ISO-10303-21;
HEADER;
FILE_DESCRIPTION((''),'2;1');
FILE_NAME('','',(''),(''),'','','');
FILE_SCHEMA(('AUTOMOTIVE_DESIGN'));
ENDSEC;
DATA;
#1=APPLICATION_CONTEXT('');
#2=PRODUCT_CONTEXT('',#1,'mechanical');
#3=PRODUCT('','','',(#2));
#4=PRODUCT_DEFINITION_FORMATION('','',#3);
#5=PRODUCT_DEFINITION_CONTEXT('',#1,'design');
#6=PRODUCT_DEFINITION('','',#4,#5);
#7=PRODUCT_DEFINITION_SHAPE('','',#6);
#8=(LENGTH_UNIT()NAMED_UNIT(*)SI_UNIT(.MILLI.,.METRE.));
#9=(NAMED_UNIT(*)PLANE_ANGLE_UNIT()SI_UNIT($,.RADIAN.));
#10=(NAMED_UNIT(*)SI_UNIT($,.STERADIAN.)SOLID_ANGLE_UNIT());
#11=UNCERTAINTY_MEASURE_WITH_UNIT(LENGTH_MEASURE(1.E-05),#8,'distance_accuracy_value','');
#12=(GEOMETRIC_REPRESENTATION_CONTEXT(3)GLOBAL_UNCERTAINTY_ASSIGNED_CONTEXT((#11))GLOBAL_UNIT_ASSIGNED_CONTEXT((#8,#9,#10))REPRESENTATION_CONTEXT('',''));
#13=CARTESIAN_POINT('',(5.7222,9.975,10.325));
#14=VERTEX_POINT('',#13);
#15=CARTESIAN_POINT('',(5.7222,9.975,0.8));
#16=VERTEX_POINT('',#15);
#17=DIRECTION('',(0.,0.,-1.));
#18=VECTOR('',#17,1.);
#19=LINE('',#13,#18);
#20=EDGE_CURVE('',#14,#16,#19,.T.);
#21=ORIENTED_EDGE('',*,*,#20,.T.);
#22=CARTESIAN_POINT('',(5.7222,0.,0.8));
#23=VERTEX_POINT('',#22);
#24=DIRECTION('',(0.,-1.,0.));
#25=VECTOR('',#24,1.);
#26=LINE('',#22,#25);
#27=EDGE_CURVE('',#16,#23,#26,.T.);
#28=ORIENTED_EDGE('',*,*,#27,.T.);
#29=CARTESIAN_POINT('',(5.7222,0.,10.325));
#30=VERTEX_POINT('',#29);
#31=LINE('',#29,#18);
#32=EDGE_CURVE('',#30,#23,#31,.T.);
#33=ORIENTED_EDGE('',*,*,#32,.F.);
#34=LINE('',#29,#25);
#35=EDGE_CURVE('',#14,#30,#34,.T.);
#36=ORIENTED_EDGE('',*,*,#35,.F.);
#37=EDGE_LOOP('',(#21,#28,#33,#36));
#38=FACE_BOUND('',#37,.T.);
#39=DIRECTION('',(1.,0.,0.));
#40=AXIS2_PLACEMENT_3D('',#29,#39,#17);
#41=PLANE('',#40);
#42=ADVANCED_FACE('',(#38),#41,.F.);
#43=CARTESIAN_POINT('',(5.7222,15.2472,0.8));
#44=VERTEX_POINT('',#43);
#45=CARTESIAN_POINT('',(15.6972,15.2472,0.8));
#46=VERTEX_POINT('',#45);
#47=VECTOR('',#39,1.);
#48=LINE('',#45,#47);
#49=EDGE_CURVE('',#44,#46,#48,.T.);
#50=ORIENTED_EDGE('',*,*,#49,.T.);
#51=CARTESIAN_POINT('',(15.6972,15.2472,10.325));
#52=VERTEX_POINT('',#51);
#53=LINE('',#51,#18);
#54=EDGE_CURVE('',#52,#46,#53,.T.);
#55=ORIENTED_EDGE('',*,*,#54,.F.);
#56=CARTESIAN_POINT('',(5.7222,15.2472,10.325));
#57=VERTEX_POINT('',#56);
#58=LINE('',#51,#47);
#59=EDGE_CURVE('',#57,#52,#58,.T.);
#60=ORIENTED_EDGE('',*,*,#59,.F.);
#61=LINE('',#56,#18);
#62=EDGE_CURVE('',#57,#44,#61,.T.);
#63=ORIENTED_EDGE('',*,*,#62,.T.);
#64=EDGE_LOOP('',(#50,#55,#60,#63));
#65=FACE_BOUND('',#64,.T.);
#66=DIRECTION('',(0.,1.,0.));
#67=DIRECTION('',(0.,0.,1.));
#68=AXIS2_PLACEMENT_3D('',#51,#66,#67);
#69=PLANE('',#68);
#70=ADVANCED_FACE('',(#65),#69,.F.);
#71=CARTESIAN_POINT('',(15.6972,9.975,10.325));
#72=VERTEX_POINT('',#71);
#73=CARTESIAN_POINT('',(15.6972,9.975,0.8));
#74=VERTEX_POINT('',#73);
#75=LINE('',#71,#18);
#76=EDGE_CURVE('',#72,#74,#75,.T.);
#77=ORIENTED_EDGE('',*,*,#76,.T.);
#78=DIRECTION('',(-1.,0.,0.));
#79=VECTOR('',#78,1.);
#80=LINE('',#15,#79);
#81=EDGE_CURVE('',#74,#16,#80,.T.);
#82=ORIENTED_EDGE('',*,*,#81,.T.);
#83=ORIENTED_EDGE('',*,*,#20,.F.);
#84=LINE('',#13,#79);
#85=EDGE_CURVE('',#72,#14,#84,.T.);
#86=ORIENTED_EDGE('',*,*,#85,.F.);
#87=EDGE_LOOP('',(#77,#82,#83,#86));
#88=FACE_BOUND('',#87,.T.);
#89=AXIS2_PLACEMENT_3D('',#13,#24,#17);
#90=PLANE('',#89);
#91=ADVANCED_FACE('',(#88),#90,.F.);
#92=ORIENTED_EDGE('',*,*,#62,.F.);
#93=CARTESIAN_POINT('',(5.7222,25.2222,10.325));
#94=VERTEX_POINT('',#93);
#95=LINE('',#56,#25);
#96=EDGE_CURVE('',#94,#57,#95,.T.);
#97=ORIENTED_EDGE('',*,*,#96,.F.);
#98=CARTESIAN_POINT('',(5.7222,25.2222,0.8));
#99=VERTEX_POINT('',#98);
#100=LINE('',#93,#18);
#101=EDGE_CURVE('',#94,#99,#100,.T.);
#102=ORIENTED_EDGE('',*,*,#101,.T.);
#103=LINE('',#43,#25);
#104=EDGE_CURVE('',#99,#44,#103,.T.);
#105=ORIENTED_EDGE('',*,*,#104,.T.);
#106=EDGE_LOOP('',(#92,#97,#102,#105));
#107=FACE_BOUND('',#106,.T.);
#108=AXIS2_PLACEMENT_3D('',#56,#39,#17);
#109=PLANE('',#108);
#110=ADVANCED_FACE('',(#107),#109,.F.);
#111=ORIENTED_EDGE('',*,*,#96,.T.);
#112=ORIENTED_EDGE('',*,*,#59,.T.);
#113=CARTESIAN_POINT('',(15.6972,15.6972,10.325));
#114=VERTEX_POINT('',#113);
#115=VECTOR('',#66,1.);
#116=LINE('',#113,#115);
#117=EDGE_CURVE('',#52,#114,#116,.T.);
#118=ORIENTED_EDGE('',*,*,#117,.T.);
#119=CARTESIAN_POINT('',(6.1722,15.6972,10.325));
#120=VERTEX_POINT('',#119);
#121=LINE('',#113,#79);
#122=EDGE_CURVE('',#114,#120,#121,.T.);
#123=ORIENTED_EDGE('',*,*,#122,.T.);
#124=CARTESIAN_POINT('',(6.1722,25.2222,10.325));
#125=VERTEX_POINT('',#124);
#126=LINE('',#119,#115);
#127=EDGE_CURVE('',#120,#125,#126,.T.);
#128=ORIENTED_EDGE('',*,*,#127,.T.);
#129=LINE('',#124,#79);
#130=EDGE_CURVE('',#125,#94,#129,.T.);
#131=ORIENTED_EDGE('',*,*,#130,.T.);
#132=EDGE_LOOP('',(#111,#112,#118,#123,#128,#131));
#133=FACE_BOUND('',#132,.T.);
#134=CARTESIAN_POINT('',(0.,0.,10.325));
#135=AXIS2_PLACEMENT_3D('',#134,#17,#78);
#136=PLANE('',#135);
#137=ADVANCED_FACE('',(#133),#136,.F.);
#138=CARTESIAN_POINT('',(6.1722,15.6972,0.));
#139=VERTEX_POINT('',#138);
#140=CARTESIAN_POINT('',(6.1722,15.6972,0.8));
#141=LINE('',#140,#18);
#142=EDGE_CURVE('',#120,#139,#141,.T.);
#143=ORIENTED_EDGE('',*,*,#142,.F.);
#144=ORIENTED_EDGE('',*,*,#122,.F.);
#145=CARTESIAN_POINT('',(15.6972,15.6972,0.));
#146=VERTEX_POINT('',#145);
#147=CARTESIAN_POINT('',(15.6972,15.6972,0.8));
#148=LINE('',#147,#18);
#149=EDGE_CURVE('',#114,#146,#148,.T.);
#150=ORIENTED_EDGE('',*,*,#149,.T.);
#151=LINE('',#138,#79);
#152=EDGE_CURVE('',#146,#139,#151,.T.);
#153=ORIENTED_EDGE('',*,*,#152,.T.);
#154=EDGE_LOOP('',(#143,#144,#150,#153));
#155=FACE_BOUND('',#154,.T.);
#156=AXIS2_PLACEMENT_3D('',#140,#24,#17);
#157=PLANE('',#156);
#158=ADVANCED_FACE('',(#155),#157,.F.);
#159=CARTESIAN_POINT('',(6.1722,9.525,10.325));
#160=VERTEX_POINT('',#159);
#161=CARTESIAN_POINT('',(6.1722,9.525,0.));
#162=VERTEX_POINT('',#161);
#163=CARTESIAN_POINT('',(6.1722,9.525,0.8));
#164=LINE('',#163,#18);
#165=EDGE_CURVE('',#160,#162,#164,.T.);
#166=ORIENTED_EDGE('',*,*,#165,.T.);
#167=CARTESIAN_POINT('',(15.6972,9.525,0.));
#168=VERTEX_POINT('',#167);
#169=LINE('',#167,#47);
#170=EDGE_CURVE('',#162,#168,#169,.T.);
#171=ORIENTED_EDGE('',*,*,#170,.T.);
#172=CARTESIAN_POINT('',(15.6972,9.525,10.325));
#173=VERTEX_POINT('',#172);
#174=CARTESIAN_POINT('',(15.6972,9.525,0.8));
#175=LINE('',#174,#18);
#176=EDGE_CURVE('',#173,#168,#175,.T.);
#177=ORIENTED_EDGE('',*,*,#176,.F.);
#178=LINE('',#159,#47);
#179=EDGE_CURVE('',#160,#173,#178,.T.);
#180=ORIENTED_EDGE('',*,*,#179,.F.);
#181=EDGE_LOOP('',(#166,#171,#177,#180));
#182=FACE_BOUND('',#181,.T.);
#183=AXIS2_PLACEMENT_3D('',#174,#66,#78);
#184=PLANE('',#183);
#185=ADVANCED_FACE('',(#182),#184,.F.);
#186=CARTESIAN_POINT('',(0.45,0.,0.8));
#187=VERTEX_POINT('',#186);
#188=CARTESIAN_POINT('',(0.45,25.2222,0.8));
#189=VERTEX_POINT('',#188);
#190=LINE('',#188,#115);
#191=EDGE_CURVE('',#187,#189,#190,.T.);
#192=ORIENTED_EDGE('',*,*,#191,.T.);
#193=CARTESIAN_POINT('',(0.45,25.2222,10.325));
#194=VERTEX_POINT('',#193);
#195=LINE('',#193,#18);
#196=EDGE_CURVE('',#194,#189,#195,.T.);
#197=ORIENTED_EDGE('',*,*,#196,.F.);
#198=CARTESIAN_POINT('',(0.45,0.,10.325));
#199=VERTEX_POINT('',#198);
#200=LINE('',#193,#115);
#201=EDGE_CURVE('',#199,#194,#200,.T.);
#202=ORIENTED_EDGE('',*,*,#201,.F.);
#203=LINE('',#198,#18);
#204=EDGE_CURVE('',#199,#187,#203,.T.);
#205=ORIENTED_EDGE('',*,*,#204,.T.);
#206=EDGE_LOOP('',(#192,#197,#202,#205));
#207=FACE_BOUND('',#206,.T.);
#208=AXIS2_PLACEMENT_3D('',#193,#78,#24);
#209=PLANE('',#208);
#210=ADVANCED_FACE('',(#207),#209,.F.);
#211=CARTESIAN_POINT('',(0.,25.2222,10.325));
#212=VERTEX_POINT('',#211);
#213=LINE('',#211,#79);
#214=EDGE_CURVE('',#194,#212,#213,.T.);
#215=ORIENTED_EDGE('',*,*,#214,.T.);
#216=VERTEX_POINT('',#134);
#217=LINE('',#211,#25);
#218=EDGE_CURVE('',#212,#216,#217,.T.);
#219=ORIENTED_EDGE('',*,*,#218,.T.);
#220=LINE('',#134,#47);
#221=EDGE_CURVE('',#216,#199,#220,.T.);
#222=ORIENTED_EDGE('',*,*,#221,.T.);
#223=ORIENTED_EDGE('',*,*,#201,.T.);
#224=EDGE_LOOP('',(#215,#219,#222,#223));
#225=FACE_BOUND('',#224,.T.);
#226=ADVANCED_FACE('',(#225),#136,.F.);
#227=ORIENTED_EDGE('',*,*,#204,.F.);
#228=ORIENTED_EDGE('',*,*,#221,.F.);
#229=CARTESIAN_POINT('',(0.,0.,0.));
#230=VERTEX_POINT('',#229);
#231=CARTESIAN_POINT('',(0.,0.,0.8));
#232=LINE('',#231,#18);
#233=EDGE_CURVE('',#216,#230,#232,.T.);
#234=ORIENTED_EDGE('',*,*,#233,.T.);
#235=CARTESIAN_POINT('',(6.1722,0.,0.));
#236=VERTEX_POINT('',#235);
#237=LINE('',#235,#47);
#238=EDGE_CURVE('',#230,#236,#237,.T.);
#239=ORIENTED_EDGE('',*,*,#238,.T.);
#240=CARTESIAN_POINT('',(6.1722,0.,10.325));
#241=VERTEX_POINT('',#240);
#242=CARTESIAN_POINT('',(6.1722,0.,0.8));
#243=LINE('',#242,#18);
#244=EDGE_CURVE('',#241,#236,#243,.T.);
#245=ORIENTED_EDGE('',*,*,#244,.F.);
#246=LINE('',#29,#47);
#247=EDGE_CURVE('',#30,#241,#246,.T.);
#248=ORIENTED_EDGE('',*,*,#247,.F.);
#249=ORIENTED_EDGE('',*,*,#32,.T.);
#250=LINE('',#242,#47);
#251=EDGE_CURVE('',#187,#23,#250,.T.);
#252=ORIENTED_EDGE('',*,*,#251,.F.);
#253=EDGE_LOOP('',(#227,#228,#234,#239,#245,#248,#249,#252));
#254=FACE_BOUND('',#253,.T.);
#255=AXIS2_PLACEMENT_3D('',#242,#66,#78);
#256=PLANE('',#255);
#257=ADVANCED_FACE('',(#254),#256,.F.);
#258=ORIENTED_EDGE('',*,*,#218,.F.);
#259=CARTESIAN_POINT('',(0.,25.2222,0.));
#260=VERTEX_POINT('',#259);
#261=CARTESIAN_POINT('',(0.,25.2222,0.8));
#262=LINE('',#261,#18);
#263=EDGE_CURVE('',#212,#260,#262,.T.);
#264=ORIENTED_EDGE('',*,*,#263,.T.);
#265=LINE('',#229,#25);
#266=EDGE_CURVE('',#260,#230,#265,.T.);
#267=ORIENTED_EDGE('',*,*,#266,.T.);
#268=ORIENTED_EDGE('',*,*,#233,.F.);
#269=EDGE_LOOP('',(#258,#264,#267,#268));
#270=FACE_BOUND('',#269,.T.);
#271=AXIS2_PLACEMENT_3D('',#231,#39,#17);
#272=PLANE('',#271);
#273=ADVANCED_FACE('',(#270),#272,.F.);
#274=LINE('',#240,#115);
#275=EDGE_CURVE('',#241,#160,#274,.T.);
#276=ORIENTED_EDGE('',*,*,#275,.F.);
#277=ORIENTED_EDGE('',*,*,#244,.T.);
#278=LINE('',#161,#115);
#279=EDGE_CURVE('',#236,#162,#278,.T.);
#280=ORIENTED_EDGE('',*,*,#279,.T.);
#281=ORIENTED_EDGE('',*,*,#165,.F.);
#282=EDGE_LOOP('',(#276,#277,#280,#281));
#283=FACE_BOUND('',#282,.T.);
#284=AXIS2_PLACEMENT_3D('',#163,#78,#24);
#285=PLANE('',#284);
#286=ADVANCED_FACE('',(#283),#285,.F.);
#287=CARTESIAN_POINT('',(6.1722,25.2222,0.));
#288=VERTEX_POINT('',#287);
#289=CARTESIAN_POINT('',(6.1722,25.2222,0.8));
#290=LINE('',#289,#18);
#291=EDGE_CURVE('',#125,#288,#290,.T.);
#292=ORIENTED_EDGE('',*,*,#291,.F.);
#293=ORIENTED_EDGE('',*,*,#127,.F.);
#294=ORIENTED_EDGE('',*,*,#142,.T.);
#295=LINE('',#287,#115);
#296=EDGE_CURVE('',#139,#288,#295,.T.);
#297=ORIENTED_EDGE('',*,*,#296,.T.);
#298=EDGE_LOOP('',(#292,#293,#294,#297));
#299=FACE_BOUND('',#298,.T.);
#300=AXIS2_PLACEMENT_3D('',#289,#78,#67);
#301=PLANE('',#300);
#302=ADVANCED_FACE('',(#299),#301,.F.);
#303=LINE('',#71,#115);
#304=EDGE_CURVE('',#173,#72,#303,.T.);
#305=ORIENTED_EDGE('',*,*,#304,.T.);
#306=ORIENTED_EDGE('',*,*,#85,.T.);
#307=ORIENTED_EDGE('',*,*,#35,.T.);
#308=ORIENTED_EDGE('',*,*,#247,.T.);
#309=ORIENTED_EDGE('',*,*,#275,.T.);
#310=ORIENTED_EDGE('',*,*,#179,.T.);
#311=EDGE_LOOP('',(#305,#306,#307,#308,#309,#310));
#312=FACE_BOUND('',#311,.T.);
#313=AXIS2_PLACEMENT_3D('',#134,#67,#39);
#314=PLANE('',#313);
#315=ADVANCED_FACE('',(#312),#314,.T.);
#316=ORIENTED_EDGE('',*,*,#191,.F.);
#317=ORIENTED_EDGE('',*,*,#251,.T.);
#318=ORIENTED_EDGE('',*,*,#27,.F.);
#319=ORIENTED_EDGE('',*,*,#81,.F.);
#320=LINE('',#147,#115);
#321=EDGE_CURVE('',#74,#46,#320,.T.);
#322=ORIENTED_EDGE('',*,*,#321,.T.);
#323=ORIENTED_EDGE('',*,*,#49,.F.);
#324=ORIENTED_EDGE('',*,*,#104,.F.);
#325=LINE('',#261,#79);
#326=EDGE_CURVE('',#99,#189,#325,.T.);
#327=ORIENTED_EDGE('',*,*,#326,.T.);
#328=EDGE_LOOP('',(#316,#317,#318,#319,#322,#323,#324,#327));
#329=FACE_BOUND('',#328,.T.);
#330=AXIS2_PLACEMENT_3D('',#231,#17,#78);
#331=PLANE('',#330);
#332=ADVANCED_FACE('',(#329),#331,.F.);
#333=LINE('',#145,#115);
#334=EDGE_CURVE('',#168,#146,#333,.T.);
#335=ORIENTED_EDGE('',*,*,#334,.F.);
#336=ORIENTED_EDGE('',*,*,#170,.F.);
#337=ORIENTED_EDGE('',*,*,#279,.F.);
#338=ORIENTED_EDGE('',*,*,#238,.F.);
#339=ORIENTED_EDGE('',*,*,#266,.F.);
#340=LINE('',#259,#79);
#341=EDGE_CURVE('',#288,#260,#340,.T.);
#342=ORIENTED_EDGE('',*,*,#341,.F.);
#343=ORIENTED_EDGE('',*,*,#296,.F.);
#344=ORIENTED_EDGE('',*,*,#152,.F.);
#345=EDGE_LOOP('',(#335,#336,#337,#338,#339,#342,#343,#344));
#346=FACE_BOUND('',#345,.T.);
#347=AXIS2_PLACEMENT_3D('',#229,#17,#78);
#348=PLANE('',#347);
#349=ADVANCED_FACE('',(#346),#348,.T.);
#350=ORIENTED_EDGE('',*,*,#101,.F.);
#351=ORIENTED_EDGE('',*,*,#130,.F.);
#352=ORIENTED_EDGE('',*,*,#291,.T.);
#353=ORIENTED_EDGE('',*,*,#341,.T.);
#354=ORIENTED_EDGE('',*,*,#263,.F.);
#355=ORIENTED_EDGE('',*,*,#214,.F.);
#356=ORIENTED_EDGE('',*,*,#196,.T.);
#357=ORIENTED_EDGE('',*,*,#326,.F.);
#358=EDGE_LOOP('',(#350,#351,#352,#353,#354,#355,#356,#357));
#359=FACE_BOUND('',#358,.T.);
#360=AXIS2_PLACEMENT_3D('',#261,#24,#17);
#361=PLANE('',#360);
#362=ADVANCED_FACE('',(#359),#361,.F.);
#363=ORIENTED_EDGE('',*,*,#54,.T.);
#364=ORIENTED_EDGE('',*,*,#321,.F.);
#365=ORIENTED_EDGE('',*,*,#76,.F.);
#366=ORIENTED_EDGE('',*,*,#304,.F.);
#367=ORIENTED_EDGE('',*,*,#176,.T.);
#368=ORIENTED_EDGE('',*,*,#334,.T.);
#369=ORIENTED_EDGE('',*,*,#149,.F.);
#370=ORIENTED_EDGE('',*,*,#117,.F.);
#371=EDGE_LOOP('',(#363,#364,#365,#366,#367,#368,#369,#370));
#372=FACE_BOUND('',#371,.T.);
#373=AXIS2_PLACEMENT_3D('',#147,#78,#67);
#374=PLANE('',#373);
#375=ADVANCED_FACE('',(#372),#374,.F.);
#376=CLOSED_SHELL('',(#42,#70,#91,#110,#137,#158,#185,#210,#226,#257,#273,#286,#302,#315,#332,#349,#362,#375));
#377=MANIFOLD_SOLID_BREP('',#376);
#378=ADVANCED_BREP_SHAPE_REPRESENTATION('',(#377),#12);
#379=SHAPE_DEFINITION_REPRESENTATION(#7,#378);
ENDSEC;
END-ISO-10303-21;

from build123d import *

# Parameters (mm, degrees)
BOSS_EXTRUDE1_DEPTH = 0.8
SKETCH2_W           = 0.45
SKETCH2_H           = 25.2222
BOSS_EXTRUDE2_DEPTH = 9.525


with BuildPart() as part:
    # Sketch1 → Boss-Extrude1 (new body)
    with BuildSketch(Plane.XY):
        Polygon((0, 0), (0, 25.2222), (6.1722, 25.2222), (6.1722, 15.6972), (15.6972, 15.6972), (15.6972, 9.525), (6.1722, 9.525), (6.1722, 0), align=None)
    extrude(amount=BOSS_EXTRUDE1_DEPTH)

    # Sketch2 → Boss-Extrude2 (add)
    with BuildSketch(Plane.XY.offset(0.8)):
        Polygon((6.1722, 0), (6.1722, 9.525), (15.6972, 9.525), (15.6972, 9.975), (5.7222, 9.975), (5.7222, 0), align=None)
        Polygon((15.6972, 15.6972), (6.1722, 15.6972), (6.1722, 25.2222), (5.7222, 25.2222), (5.7222, 15.2472), (15.6972, 15.2472), align=None)
        with Locations((0.225, 12.6111)):
            Rectangle(SKETCH2_W, SKETCH2_H)
    extrude(amount=BOSS_EXTRUDE2_DEPTH)


solid = part.part
